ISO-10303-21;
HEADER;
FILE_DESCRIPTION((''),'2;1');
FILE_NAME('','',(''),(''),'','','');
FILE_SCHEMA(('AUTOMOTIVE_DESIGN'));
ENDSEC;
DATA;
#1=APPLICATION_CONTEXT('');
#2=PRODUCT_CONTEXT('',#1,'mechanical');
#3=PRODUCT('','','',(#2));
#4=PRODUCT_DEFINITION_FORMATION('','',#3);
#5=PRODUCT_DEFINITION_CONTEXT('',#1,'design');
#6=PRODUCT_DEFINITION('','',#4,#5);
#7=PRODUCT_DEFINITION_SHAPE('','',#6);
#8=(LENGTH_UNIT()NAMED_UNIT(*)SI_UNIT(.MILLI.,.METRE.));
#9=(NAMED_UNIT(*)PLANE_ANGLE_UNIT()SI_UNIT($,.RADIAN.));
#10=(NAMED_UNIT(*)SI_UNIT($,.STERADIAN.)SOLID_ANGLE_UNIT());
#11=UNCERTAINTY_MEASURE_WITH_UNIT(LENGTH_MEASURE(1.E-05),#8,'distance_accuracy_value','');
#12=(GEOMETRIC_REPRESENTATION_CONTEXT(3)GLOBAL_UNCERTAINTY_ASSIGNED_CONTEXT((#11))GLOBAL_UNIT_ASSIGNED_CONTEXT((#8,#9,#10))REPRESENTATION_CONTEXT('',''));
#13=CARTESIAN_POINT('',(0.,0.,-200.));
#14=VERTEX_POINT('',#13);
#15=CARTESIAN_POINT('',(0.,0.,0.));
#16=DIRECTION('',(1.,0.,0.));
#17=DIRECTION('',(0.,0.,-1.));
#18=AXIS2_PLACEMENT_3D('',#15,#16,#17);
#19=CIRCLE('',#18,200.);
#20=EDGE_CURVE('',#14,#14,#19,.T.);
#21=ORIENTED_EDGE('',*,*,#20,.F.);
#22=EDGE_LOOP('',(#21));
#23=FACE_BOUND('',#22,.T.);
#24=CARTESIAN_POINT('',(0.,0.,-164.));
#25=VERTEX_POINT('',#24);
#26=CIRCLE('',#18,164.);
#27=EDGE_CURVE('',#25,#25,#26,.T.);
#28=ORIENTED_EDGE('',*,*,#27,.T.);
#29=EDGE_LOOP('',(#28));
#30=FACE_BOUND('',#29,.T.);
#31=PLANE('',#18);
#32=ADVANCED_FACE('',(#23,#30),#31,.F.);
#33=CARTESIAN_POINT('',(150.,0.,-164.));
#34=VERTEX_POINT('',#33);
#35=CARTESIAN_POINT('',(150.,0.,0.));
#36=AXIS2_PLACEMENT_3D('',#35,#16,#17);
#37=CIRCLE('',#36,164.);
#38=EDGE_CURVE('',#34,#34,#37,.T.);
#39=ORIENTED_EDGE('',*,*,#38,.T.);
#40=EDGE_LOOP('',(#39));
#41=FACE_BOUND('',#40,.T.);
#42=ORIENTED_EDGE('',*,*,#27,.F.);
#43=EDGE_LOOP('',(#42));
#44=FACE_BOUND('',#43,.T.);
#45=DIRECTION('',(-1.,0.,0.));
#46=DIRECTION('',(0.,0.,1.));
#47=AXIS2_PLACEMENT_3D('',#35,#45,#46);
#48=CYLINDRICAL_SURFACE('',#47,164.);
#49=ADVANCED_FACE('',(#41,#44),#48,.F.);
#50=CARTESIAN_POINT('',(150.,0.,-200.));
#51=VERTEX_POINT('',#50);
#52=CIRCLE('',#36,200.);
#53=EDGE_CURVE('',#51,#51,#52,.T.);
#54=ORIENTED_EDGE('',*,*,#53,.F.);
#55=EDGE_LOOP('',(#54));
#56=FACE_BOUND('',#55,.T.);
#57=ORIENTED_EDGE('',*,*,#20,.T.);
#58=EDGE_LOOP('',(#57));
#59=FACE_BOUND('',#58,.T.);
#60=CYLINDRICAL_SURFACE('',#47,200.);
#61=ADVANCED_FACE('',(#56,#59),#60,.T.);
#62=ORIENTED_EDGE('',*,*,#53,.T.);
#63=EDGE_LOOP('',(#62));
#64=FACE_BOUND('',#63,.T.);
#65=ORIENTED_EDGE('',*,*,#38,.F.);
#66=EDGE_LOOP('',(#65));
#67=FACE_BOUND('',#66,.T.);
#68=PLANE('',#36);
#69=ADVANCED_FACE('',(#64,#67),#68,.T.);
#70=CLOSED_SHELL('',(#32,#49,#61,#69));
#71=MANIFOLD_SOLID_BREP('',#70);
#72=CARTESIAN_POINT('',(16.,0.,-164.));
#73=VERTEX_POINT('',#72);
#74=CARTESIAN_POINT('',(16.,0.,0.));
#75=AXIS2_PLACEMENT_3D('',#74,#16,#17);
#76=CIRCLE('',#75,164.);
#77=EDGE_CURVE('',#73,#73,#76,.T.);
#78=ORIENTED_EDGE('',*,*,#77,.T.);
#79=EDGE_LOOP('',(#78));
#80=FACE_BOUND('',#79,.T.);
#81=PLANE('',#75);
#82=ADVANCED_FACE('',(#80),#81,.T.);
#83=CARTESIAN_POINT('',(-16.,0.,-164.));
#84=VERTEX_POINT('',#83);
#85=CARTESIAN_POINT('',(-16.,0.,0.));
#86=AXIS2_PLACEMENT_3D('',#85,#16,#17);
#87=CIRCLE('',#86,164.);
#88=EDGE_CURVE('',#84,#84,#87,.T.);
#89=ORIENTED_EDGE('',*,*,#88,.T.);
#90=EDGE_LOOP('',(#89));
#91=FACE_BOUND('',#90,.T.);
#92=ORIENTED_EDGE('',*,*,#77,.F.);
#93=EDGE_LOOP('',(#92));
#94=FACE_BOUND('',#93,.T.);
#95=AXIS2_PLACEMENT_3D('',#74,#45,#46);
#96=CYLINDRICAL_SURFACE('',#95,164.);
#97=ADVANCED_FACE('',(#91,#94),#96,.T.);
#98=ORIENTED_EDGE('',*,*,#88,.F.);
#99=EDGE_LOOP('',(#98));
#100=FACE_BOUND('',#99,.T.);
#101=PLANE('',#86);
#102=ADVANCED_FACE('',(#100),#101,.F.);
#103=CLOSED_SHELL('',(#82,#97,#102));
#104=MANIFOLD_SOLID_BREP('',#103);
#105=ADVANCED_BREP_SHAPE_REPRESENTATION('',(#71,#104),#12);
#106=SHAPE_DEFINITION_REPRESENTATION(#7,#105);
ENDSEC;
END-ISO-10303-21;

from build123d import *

# Parameters (mm, degrees)
SKETCH1_R                    = 164
ROTOR_VOLUME_EXTRUDE_DEPTH   = 16
SKETCH2_R                    = 200
SKETCH2_R_2                  = 164
DUCT_PACKAGING_EXTRUDE_DEPTH = 150


with BuildPart() as part:
    # Sketch1 → Rotor_Volume_Extrude (new, symmetric)
    with BuildSketch(Plane(origin=(0, 0, 0), x_dir=(0, 0, -1), z_dir=(1, 0, 0))):
        Circle(SKETCH1_R)
    extrude(amount=ROTOR_VOLUME_EXTRUDE_DEPTH, both=True)


with BuildPart() as body_2:
    # Sketch2 → Duct_Packaging_Extrude (new body)
    with BuildSketch(Plane(origin=(0, 0, 0), x_dir=(0, 0, -1), z_dir=(1, 0, 0))):
        Circle(SKETCH2_R)
        Circle(SKETCH2_R_2, mode=Mode.SUBTRACT)
    extrude(amount=DUCT_PACKAGING_EXTRUDE_DEPTH)


solid = Compound([part.part, body_2.part])
